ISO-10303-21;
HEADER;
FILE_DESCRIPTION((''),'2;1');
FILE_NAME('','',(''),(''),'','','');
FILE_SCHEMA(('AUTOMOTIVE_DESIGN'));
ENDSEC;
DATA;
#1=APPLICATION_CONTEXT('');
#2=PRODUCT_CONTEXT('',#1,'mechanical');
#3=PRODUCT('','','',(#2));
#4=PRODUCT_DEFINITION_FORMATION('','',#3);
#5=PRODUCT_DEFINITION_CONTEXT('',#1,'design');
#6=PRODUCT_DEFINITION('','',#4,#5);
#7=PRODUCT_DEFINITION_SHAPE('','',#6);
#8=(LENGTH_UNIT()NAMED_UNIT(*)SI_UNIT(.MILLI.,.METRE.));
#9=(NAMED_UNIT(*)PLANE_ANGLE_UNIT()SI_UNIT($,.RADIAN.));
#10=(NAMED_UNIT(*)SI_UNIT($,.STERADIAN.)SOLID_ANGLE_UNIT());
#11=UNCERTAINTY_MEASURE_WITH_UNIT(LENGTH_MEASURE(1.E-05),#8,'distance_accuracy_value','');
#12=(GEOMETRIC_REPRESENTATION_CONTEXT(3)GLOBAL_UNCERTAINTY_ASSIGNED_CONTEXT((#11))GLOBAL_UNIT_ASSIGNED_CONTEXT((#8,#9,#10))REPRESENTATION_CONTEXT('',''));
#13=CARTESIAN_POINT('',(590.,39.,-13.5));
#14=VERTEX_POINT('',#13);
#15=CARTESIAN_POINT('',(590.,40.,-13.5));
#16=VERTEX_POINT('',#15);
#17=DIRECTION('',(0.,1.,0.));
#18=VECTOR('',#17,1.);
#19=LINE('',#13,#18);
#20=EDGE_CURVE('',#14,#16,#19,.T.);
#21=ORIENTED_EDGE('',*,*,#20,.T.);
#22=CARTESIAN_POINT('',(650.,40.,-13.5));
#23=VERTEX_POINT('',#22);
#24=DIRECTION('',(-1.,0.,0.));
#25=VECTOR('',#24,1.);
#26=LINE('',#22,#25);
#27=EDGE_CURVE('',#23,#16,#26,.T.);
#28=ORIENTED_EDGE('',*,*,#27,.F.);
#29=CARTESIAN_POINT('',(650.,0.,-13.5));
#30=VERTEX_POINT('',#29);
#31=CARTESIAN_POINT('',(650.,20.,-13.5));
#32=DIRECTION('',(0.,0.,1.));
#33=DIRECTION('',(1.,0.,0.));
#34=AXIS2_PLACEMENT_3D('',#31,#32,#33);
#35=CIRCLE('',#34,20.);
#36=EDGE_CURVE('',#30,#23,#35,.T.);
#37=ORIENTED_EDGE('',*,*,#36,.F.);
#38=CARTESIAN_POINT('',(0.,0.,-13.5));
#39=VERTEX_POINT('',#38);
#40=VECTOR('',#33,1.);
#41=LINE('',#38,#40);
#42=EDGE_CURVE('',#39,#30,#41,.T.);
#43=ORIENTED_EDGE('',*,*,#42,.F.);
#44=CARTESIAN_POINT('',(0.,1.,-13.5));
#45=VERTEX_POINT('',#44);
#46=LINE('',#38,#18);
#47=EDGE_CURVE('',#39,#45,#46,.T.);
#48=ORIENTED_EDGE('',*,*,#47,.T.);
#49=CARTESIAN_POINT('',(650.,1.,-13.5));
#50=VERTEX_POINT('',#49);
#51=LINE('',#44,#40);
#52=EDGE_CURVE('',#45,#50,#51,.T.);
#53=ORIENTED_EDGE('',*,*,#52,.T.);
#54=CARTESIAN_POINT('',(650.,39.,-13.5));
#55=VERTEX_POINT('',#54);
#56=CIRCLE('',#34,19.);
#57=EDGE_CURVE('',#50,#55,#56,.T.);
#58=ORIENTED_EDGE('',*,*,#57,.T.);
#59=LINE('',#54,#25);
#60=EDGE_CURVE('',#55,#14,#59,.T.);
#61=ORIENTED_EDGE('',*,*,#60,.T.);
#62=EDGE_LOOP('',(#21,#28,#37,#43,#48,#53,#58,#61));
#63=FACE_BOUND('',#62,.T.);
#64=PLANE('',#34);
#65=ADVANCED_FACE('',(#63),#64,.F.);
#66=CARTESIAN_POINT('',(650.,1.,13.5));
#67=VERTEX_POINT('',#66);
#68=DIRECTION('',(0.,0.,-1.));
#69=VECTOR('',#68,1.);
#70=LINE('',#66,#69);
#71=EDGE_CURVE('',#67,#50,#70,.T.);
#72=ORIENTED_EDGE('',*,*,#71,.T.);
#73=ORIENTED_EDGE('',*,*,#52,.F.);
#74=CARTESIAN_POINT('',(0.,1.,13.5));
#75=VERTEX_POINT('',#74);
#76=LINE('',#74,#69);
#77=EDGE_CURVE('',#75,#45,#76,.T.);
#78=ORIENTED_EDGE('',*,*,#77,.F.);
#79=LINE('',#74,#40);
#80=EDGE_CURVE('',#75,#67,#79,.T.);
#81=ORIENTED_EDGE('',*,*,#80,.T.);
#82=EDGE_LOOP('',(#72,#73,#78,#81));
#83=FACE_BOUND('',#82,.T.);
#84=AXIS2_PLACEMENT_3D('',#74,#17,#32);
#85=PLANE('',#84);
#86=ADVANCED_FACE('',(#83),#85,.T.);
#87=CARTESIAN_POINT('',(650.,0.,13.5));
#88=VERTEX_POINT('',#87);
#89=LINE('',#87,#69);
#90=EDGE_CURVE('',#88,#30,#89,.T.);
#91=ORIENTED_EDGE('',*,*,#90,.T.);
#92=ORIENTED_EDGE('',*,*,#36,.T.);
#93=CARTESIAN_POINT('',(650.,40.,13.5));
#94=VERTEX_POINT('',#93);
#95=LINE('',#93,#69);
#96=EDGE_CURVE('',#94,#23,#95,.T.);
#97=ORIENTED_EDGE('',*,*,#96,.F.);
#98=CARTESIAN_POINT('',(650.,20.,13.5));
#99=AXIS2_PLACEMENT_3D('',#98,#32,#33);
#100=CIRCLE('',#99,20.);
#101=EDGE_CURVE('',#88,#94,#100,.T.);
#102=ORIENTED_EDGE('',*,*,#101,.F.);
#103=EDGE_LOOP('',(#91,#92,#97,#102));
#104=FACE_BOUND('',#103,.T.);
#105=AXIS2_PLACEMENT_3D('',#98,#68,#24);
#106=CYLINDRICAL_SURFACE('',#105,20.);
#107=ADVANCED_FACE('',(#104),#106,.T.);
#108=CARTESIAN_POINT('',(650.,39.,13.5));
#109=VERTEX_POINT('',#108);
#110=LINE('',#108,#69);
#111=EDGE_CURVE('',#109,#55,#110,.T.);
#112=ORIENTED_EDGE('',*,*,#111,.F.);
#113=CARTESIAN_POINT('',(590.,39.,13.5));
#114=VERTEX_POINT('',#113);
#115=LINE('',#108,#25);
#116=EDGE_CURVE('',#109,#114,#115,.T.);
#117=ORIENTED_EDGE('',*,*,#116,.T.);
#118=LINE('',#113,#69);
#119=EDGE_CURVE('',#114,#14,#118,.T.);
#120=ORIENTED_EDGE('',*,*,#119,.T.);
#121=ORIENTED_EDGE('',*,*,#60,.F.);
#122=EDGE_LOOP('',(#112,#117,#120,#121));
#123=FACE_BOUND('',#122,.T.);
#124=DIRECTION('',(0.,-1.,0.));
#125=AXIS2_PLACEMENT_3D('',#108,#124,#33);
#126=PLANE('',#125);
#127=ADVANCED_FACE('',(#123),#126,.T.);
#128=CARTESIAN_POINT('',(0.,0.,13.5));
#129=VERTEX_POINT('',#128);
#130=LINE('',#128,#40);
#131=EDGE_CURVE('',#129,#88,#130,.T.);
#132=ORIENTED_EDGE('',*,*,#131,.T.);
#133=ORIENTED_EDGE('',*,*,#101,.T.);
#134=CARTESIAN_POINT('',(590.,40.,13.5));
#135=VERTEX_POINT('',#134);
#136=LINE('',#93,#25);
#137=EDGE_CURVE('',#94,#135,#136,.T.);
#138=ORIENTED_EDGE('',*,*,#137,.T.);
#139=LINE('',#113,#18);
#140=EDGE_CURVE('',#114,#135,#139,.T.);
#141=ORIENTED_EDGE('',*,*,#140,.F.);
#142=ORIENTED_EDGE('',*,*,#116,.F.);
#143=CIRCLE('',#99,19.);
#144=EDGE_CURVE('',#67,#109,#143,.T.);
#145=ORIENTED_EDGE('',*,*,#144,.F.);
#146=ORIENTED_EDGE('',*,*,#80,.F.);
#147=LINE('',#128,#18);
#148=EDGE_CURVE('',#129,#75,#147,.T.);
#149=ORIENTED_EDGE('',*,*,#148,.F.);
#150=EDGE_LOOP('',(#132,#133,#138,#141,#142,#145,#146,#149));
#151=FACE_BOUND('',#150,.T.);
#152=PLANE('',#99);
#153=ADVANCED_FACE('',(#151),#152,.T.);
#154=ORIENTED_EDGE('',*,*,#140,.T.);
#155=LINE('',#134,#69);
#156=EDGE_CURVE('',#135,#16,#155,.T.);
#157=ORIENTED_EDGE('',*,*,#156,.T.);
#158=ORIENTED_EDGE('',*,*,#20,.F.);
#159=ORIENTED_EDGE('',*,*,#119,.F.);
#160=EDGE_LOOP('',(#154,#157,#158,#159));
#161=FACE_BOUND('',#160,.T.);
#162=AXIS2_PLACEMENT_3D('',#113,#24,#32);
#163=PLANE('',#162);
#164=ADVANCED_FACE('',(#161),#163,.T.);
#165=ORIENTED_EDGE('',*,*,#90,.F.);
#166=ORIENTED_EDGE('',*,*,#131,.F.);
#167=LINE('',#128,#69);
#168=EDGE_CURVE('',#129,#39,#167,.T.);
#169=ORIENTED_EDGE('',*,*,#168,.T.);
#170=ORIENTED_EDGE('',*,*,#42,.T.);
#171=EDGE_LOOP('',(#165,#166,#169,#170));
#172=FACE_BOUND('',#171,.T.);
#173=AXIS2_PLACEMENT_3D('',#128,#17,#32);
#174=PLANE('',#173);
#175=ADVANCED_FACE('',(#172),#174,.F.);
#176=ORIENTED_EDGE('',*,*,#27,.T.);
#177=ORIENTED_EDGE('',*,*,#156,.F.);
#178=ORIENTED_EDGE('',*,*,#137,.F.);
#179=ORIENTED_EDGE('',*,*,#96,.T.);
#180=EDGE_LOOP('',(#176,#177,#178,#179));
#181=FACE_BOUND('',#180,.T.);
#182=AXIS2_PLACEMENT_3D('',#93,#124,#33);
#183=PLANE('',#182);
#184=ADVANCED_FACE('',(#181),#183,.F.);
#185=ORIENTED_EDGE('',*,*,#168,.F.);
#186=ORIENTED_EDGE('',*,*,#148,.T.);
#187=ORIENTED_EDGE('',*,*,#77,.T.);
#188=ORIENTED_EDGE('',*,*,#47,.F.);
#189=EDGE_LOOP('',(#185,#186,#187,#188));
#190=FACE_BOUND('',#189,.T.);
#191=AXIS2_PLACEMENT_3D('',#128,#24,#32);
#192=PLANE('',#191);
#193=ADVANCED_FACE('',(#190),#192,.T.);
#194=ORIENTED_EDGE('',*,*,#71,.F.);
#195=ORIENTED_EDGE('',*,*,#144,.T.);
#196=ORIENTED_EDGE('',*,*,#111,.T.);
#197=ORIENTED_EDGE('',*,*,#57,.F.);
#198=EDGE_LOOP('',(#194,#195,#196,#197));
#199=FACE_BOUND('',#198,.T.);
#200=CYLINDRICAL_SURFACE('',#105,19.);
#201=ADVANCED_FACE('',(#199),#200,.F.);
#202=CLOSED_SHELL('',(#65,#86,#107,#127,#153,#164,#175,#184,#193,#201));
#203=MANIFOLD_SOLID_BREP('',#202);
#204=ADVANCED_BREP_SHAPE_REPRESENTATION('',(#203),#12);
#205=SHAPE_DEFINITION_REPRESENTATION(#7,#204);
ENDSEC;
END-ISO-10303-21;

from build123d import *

# Parameters (mm, degrees)
EXTRUDE_THIN1_DEPTH = 13.5


with BuildPart() as part:
    # Sketch1 → Extrude-Thin1 (new, symmetric)
    with BuildSketch(Plane.XY):
        with BuildLine():
            Line((0, 0), (650, 0))
            ThreePointArc((650, 0), (670, 20), (650, 40))
            Line((650, 40), (590, 40))
            Line((590, 40), (590, 39))
            Line((590, 39), (650, 39))
            ThreePointArc((650, 39), (669, 20), (650, 1))
            Line((650, 1), (0, 1))
            Line((0, 1), (0, 0))
        make_face()
    extrude(amount=EXTRUDE_THIN1_DEPTH, both=True)


solid = part.part
